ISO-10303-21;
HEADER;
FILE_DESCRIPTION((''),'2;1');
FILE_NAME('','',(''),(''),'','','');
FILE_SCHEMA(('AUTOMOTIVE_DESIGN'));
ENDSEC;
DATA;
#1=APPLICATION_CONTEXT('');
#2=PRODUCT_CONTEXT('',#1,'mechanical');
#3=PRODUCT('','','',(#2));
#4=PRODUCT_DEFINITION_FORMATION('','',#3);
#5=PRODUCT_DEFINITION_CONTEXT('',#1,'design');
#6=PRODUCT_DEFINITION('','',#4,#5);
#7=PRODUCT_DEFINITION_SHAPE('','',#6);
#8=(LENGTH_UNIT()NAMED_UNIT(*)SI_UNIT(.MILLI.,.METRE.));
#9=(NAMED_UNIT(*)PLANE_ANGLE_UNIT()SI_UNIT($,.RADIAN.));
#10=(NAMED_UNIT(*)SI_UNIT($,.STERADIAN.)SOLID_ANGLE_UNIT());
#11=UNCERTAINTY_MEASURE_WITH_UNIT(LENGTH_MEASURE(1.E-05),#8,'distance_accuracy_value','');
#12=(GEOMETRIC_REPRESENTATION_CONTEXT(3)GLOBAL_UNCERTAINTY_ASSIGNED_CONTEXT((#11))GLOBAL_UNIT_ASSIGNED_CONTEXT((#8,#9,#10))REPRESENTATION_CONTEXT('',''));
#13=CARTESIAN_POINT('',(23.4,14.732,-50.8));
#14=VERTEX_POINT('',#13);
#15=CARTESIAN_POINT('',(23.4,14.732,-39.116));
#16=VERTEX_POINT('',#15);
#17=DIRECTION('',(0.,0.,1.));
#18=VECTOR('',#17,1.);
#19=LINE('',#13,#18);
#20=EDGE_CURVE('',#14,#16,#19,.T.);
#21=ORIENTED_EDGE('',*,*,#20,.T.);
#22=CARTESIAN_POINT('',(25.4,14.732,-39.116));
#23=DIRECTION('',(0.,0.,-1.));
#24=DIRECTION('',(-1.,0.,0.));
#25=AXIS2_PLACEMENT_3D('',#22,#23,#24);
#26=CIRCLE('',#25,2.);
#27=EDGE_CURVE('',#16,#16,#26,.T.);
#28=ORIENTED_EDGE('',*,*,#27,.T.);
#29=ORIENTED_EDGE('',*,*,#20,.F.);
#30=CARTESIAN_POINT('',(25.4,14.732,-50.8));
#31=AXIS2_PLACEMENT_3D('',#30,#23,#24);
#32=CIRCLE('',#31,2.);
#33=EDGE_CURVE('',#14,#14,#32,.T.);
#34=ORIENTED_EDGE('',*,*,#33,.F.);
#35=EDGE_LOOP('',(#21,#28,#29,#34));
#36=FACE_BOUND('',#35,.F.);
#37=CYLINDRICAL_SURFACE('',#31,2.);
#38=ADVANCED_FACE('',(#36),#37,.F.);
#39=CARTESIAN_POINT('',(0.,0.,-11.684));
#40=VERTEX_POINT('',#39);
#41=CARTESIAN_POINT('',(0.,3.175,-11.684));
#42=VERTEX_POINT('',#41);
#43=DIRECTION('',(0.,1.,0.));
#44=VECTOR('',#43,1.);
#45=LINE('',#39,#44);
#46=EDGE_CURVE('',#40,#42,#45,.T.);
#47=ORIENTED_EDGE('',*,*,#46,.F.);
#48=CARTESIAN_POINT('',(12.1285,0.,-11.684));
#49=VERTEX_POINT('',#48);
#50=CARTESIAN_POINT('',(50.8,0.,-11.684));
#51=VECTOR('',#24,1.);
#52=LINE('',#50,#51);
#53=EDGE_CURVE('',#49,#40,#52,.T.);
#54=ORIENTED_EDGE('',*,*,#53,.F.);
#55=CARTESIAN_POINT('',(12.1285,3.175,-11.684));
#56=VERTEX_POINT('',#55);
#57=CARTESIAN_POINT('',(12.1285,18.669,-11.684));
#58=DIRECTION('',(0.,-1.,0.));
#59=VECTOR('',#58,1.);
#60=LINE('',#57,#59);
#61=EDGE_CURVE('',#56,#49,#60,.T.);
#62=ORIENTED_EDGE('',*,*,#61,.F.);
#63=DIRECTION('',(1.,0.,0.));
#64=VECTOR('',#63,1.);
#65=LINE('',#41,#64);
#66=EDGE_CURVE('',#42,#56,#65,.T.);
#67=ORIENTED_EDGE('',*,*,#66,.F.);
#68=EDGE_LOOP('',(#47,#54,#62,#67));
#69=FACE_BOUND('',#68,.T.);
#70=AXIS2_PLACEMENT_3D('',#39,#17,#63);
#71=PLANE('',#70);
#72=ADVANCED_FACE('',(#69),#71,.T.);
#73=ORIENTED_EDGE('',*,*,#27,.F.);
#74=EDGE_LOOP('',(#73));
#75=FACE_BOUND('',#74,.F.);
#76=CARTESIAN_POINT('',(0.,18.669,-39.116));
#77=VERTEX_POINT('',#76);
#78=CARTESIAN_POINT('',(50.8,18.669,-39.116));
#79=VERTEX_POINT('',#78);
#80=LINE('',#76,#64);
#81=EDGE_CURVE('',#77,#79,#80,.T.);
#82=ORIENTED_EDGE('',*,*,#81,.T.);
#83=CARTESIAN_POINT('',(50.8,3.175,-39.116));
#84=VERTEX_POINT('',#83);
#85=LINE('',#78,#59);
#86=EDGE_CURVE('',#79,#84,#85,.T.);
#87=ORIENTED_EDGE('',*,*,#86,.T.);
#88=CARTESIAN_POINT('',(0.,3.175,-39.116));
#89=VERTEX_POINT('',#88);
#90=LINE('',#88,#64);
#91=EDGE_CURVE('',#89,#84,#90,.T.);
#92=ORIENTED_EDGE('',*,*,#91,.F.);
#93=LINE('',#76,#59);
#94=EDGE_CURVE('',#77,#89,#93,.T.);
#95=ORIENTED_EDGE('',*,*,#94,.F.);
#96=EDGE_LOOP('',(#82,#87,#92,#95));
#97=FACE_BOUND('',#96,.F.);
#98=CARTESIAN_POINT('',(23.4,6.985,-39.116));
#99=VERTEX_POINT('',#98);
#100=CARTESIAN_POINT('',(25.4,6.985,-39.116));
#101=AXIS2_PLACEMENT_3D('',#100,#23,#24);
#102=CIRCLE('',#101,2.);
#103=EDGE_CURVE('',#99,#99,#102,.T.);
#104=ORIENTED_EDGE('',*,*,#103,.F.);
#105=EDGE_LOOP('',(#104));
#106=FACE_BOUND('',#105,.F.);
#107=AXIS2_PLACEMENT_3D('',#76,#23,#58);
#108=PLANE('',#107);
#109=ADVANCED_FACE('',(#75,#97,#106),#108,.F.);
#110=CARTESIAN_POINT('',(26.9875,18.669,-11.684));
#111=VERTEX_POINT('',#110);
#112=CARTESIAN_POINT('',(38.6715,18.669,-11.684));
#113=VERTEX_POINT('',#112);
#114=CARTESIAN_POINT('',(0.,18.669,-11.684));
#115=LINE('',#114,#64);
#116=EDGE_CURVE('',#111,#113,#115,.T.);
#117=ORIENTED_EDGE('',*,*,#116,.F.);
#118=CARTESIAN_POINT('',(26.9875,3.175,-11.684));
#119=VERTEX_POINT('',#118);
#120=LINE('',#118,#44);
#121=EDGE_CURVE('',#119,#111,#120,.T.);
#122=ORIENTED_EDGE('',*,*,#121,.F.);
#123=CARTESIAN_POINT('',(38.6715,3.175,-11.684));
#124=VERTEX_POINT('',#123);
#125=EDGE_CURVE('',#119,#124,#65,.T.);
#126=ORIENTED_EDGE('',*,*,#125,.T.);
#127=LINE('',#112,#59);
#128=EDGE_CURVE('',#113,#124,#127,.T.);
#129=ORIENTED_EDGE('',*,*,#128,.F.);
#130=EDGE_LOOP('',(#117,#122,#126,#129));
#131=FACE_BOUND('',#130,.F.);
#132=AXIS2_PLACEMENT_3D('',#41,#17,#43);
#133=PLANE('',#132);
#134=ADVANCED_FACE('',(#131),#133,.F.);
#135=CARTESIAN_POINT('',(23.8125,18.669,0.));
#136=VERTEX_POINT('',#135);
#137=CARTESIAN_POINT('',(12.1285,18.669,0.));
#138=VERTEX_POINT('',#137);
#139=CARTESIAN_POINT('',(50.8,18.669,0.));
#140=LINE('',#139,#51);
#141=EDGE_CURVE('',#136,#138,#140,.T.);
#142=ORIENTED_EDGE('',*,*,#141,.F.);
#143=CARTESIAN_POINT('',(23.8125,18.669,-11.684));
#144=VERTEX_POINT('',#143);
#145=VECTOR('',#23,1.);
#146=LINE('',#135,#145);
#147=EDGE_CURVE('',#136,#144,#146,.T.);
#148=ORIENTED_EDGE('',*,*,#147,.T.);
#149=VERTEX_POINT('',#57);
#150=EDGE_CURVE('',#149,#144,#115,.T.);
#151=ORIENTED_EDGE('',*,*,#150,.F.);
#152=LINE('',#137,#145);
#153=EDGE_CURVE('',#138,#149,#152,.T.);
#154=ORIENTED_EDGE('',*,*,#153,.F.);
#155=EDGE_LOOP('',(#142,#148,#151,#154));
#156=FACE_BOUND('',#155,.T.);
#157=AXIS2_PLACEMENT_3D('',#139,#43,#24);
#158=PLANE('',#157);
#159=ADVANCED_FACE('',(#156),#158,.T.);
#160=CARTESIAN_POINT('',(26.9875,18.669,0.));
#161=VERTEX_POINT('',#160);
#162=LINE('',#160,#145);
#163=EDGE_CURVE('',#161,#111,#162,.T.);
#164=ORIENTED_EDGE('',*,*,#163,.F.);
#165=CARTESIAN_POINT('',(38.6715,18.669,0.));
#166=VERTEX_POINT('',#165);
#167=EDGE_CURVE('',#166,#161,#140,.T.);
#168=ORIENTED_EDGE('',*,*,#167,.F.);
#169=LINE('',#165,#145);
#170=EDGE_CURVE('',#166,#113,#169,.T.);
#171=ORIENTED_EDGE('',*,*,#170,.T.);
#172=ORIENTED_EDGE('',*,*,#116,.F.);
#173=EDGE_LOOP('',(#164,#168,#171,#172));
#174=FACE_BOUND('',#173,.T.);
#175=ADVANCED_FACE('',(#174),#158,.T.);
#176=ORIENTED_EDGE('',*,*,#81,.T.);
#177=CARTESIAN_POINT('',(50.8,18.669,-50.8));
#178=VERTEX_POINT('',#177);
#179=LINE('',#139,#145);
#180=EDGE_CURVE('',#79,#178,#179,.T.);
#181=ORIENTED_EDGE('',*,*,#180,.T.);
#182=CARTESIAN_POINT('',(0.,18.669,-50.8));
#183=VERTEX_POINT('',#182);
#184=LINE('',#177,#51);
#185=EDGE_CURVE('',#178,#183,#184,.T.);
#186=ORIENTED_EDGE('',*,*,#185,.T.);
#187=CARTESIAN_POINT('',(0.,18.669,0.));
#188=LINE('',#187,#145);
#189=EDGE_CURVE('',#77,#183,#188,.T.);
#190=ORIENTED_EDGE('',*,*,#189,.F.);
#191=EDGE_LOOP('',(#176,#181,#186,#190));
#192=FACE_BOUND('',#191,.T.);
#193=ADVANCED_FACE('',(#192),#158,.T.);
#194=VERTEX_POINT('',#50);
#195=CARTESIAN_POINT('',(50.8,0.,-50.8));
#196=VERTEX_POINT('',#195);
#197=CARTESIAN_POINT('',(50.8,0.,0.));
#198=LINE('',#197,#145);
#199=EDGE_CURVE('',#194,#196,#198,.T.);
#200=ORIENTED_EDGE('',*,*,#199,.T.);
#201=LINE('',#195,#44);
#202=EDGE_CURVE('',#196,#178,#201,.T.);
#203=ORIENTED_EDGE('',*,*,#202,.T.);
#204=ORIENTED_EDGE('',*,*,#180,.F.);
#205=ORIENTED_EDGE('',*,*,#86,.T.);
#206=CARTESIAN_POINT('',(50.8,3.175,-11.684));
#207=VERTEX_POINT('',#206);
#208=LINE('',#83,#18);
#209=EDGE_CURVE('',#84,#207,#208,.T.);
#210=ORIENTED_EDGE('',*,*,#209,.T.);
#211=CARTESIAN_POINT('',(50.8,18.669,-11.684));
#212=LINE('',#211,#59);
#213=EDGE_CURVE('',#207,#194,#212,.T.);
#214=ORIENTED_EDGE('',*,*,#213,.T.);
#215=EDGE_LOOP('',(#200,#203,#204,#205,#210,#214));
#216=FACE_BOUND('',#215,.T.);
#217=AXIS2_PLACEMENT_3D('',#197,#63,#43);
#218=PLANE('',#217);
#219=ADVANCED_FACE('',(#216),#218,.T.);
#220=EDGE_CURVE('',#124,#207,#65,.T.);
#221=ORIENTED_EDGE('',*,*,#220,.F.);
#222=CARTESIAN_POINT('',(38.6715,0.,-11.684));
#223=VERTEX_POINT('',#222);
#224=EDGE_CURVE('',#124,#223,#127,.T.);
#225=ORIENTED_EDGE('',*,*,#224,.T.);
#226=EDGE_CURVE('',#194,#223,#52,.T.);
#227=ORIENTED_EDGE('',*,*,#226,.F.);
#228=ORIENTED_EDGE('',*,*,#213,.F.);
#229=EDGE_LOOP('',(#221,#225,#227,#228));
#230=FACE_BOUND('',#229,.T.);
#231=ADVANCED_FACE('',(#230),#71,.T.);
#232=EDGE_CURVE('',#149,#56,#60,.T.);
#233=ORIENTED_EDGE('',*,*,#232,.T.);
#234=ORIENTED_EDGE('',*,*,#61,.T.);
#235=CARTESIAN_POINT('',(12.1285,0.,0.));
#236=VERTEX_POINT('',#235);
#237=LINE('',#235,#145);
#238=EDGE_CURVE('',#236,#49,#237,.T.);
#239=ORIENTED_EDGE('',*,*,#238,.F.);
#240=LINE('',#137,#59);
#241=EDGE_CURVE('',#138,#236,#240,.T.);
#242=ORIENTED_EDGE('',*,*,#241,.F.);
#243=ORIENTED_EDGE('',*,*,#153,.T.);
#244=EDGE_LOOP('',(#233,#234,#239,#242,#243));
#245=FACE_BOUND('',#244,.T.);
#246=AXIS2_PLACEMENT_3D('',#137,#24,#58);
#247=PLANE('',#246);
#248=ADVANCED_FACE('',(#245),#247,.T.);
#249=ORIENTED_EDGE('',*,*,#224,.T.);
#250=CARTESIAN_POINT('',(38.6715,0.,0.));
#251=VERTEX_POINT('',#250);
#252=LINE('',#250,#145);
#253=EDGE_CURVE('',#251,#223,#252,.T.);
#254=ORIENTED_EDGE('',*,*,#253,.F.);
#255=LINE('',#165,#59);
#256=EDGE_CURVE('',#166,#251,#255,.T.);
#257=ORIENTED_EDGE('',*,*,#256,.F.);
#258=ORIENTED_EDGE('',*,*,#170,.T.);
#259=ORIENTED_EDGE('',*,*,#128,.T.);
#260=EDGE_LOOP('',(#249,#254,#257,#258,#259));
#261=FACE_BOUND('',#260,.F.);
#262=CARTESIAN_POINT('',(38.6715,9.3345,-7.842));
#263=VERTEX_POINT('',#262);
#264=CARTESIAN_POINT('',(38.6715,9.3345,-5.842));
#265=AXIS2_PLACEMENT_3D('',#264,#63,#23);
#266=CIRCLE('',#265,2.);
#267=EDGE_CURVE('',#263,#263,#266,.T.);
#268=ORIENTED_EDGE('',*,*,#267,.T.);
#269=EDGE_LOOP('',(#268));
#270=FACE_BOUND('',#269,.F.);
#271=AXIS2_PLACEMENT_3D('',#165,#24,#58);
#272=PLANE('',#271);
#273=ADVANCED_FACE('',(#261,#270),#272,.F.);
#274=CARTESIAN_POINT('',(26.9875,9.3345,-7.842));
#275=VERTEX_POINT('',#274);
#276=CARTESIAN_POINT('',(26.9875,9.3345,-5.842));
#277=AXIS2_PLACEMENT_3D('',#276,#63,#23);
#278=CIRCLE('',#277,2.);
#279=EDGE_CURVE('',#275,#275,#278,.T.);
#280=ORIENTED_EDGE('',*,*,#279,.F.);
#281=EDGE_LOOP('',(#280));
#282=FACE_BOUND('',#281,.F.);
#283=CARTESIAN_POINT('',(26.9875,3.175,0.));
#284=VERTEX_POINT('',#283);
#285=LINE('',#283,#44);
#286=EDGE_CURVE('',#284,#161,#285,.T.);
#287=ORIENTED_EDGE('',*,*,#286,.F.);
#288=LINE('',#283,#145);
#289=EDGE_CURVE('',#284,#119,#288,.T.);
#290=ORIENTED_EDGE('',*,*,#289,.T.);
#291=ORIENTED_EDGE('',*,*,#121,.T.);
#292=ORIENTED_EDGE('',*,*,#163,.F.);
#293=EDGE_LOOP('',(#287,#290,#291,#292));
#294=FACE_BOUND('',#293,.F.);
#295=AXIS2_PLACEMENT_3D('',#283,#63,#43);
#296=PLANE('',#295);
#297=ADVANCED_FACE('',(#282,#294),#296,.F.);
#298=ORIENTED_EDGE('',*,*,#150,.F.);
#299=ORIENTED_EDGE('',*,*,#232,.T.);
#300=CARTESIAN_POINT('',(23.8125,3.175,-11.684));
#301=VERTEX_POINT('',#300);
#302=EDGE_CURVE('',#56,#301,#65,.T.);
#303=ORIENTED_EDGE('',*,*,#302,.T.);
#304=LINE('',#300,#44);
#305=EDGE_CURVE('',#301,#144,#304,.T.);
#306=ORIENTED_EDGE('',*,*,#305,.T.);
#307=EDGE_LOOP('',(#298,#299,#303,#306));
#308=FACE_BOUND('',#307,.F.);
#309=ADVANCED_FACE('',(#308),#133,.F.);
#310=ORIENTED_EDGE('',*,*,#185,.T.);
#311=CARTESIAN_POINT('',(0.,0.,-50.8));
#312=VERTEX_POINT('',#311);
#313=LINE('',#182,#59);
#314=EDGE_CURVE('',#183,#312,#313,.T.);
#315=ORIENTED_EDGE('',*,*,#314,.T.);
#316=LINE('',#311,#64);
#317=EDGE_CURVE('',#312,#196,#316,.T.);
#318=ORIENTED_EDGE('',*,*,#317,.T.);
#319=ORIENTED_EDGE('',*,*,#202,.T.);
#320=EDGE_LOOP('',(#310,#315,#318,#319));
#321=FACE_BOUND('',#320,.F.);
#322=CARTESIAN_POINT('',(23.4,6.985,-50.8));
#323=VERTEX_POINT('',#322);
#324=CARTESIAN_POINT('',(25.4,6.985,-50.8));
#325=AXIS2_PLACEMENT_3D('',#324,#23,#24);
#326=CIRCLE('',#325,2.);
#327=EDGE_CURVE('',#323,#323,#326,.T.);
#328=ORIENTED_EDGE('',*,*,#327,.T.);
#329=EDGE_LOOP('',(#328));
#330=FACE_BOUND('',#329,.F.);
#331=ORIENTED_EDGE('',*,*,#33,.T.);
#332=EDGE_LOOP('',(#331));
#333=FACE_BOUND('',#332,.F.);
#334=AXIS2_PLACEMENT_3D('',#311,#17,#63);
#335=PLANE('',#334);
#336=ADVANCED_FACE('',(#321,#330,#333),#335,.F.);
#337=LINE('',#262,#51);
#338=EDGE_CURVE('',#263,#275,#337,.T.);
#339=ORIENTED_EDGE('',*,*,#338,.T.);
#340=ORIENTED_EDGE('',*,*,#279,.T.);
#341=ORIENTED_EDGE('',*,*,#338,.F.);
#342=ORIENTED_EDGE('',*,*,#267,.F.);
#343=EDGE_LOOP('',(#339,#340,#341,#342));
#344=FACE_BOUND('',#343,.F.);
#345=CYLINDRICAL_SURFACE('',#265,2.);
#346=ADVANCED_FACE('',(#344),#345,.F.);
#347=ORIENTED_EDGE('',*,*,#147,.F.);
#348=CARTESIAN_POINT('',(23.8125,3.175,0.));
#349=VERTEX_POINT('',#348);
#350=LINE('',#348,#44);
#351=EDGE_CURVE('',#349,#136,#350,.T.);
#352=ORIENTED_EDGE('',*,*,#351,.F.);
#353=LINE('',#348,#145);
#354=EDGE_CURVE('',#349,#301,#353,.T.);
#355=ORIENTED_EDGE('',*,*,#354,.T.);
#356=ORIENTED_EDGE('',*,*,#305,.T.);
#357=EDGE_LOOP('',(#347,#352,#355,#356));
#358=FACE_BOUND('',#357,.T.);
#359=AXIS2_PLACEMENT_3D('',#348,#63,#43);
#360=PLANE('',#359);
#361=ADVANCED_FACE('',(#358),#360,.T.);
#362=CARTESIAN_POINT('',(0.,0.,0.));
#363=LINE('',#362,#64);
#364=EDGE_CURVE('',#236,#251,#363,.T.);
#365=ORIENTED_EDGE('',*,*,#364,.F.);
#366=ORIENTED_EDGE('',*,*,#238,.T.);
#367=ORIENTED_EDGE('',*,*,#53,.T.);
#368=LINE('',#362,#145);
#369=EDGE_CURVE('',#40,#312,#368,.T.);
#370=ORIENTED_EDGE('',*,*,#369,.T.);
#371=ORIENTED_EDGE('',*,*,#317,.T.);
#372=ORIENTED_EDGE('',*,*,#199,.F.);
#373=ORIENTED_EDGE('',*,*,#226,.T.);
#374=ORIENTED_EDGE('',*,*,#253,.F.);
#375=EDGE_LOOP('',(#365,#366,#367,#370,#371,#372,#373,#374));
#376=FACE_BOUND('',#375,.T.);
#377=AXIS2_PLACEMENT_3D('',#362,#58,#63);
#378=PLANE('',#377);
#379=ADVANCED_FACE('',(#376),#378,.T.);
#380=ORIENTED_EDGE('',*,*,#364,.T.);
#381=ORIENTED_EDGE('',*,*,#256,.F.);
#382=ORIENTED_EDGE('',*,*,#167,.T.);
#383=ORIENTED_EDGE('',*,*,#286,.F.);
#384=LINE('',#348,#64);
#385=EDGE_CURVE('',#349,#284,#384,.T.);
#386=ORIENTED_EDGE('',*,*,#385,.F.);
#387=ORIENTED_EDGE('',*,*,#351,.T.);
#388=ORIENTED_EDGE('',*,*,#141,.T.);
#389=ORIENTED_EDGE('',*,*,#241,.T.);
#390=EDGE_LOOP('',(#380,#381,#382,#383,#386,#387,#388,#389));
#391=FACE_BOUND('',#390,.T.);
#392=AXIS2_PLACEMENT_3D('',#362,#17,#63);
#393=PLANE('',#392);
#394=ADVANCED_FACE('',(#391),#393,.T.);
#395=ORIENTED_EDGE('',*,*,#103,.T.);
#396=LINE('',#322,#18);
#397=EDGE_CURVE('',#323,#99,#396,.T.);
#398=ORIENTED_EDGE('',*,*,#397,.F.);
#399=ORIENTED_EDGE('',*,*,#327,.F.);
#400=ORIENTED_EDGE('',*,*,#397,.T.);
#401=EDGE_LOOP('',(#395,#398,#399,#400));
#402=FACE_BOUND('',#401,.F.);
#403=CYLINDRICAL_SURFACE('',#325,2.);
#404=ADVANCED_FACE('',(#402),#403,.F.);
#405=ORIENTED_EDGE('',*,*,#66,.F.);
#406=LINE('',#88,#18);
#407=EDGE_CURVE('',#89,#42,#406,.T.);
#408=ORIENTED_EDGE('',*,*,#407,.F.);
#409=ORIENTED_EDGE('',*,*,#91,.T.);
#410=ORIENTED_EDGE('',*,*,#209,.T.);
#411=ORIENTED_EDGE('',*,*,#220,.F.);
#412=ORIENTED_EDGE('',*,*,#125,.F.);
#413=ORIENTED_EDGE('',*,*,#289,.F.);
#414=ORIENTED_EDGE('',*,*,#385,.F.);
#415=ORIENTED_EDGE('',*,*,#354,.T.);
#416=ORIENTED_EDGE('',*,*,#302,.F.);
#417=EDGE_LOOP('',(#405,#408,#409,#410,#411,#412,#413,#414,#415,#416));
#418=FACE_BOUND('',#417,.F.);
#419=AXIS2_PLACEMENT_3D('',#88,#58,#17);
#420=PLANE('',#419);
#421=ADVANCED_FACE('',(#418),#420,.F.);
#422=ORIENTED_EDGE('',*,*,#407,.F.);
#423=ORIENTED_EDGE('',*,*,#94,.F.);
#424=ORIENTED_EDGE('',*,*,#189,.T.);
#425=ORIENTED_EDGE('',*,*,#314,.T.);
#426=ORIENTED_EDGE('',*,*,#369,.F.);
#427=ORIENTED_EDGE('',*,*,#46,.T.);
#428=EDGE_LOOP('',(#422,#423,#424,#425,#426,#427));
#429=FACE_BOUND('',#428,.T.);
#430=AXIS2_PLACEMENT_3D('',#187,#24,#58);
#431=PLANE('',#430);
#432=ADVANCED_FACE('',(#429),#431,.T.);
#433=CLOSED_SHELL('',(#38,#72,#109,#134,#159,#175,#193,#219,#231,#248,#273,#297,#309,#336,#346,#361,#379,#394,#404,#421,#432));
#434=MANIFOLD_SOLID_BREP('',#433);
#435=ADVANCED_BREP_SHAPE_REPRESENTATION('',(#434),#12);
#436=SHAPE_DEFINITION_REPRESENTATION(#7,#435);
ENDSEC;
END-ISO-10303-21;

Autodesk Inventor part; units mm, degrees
ref_plane "YZ Plane" through (0, 0, 0) normal (1, 0, 0) x (0, 1, 0)
ref_plane "XZ Plane" through (0, 0, 0) normal (0, 1, 0) x (-1, 0, 0)
ref_plane "XY Plane" through (0, 0, 0) normal (0, 0, 1) x (1, 0, 0)
sketch "Sketch1" plane through (0, 0, 0) normal (0, 0, 1) x (1, 0, 0)
  line L0 (0, 0) -> (50.8, 0)
  line L1 (50.8, 0) -> (50.8, 18.669)
  line L2 (50.8, 18.669) -> (0, 18.669)
  line L3 (0, 18.669) -> (0, 0)
  dimension "d0" = 50.8
  dimension "d1" = 18.669
extrude "Extrusion1" add sketch "Sketch1" against normal blind 50.8
sketch "Sketch2" plane through (0, 0, 0) normal (0, 0, 1) x (1, 0, 0)
  line L0 (50.8, 0) -> (0, 0) projected
  line L1 (25.4, 0) -> (25.4, 3.175)
  line L2 (25.4, 3.175) -> (26.9875, 3.175)
  line L3 (25.4, 3.175) -> (23.8125, 3.175)
  line L4 (23.8125, 3.175) -> (23.8125, 18.669)
  line L5 (0, 18.669) -> (50.8, 18.669) projected
  line L6 (26.9875, 3.175) -> (26.9875, 18.669)
  line L7 (23.8125, 18.669) -> (12.1285, 18.669)
  line L8 (12.1285, 18.669) -> (12.1285, 0)
  line L9 (12.1285, 0) -> (25.4, 0)
  line L10 (26.9875, 18.669) -> (38.6715, 18.669)
  line L11 (38.6715, 18.669) -> (38.6715, 0)
  line L12 (38.6715, 0) -> (25.4, 0)
  line L13 (0, 0) -> (0, 18.669) projected
  line L14 (0, 18.669) -> (0, 0)
  line L15 (50.8, 18.669) -> (50.8, 0) projected
  line L16 (50.8, 18.669) -> (50.8, 0)
  dimension "d4" = 3.175
  dimension "d5" = 1.5875
  dimension "d6" = 1.5875
  dimension "d15" = 11.684
  dimension "d16" = 11.684
sketch "Sketch3" plane through (0, 0, 0) normal (-1, 0, 0) x (0, 0, 1)
  line L0 (0, 0) -> (-50.8, 0) projected
  line L1 (0, 0) -> (0, 3.175)
  line L2 (0, 0) -> (0, 18.669) projected
  line L3 (0, 3.175) -> (-11.684, 3.175)
  line L4 (-50.8, 18.669) -> (-50.8, 0) projected
  line L5 (-50.8, 0) -> (-50.8, 3.175)
  line L6 (-50.8, 3.175) -> (-39.116, 3.175)
  line L7 (0, 18.669) -> (-50.8, 18.669) projected
  line L8 (-39.116, 3.175) -> (-11.684, 3.175)
  line L9 (-11.684, 3.175) -> (-11.684, 18.669)
  line L10 (-11.684, 18.669) -> (-39.116, 18.669)
  line L11 (-39.116, 18.669) -> (-39.116, 3.175)
  dimension "d7" = 3.175
  dimension "d8" = 11.684
  dimension "d9" = 3.175
  dimension "d10" = 11.684
extrude "Extrusion2" cut sketch "Sketch3" against normal blind 50.8 contours L8 L11 L7 L9
extrude "Extrusion3" cut sketch "Sketch2" against normal up to surface (11.684 mm away) contours L0 L11 L5 L15 | L0 L13 L5 L8
extrude "Extrusion4" cut sketch "Sketch2" against normal up to surface (11.684 mm away) contours L3 L4 L5 L6 L2
sketch "Sketch5" plane through (38.6715, 0, 0) normal (1, 0, 0) x (0, 0, -1)
  line L0 (0, 18.669) -> (11.684, 18.669) projected
  circle A0 centre (5.842, 9.3345) radius 2
  point P0 (0, 0)
  dimension "d21" = 4
extrude "Extrusion5" cut sketch "Sketch5" against normal up to surface (11.684 mm away)
sketch "Sketch6" plane through (0, 0, -50.8) normal (0, 0, -1) x (-1, 0, 0)
  line L0 (-50.8, 18.669) -> (-50.8, 0) projected
  line L1 (0, 18.669) -> (-50.8, 18.669) projected
  line L2 (-12.1285, 0) -> (-38.6715, 0) projected
  circle A0 centre (-25.4, 6.985) radius 2
  circle A1 centre (-25.4, 14.732) radius 2
  point P0 (0, 0)
  dimension "d25" = 4
  dimension "d27" = 4
extrude "Extrusion6" cut sketch "Sketch6" against normal up to surface (11.684 mm away)
properties part number "Slit holder"
